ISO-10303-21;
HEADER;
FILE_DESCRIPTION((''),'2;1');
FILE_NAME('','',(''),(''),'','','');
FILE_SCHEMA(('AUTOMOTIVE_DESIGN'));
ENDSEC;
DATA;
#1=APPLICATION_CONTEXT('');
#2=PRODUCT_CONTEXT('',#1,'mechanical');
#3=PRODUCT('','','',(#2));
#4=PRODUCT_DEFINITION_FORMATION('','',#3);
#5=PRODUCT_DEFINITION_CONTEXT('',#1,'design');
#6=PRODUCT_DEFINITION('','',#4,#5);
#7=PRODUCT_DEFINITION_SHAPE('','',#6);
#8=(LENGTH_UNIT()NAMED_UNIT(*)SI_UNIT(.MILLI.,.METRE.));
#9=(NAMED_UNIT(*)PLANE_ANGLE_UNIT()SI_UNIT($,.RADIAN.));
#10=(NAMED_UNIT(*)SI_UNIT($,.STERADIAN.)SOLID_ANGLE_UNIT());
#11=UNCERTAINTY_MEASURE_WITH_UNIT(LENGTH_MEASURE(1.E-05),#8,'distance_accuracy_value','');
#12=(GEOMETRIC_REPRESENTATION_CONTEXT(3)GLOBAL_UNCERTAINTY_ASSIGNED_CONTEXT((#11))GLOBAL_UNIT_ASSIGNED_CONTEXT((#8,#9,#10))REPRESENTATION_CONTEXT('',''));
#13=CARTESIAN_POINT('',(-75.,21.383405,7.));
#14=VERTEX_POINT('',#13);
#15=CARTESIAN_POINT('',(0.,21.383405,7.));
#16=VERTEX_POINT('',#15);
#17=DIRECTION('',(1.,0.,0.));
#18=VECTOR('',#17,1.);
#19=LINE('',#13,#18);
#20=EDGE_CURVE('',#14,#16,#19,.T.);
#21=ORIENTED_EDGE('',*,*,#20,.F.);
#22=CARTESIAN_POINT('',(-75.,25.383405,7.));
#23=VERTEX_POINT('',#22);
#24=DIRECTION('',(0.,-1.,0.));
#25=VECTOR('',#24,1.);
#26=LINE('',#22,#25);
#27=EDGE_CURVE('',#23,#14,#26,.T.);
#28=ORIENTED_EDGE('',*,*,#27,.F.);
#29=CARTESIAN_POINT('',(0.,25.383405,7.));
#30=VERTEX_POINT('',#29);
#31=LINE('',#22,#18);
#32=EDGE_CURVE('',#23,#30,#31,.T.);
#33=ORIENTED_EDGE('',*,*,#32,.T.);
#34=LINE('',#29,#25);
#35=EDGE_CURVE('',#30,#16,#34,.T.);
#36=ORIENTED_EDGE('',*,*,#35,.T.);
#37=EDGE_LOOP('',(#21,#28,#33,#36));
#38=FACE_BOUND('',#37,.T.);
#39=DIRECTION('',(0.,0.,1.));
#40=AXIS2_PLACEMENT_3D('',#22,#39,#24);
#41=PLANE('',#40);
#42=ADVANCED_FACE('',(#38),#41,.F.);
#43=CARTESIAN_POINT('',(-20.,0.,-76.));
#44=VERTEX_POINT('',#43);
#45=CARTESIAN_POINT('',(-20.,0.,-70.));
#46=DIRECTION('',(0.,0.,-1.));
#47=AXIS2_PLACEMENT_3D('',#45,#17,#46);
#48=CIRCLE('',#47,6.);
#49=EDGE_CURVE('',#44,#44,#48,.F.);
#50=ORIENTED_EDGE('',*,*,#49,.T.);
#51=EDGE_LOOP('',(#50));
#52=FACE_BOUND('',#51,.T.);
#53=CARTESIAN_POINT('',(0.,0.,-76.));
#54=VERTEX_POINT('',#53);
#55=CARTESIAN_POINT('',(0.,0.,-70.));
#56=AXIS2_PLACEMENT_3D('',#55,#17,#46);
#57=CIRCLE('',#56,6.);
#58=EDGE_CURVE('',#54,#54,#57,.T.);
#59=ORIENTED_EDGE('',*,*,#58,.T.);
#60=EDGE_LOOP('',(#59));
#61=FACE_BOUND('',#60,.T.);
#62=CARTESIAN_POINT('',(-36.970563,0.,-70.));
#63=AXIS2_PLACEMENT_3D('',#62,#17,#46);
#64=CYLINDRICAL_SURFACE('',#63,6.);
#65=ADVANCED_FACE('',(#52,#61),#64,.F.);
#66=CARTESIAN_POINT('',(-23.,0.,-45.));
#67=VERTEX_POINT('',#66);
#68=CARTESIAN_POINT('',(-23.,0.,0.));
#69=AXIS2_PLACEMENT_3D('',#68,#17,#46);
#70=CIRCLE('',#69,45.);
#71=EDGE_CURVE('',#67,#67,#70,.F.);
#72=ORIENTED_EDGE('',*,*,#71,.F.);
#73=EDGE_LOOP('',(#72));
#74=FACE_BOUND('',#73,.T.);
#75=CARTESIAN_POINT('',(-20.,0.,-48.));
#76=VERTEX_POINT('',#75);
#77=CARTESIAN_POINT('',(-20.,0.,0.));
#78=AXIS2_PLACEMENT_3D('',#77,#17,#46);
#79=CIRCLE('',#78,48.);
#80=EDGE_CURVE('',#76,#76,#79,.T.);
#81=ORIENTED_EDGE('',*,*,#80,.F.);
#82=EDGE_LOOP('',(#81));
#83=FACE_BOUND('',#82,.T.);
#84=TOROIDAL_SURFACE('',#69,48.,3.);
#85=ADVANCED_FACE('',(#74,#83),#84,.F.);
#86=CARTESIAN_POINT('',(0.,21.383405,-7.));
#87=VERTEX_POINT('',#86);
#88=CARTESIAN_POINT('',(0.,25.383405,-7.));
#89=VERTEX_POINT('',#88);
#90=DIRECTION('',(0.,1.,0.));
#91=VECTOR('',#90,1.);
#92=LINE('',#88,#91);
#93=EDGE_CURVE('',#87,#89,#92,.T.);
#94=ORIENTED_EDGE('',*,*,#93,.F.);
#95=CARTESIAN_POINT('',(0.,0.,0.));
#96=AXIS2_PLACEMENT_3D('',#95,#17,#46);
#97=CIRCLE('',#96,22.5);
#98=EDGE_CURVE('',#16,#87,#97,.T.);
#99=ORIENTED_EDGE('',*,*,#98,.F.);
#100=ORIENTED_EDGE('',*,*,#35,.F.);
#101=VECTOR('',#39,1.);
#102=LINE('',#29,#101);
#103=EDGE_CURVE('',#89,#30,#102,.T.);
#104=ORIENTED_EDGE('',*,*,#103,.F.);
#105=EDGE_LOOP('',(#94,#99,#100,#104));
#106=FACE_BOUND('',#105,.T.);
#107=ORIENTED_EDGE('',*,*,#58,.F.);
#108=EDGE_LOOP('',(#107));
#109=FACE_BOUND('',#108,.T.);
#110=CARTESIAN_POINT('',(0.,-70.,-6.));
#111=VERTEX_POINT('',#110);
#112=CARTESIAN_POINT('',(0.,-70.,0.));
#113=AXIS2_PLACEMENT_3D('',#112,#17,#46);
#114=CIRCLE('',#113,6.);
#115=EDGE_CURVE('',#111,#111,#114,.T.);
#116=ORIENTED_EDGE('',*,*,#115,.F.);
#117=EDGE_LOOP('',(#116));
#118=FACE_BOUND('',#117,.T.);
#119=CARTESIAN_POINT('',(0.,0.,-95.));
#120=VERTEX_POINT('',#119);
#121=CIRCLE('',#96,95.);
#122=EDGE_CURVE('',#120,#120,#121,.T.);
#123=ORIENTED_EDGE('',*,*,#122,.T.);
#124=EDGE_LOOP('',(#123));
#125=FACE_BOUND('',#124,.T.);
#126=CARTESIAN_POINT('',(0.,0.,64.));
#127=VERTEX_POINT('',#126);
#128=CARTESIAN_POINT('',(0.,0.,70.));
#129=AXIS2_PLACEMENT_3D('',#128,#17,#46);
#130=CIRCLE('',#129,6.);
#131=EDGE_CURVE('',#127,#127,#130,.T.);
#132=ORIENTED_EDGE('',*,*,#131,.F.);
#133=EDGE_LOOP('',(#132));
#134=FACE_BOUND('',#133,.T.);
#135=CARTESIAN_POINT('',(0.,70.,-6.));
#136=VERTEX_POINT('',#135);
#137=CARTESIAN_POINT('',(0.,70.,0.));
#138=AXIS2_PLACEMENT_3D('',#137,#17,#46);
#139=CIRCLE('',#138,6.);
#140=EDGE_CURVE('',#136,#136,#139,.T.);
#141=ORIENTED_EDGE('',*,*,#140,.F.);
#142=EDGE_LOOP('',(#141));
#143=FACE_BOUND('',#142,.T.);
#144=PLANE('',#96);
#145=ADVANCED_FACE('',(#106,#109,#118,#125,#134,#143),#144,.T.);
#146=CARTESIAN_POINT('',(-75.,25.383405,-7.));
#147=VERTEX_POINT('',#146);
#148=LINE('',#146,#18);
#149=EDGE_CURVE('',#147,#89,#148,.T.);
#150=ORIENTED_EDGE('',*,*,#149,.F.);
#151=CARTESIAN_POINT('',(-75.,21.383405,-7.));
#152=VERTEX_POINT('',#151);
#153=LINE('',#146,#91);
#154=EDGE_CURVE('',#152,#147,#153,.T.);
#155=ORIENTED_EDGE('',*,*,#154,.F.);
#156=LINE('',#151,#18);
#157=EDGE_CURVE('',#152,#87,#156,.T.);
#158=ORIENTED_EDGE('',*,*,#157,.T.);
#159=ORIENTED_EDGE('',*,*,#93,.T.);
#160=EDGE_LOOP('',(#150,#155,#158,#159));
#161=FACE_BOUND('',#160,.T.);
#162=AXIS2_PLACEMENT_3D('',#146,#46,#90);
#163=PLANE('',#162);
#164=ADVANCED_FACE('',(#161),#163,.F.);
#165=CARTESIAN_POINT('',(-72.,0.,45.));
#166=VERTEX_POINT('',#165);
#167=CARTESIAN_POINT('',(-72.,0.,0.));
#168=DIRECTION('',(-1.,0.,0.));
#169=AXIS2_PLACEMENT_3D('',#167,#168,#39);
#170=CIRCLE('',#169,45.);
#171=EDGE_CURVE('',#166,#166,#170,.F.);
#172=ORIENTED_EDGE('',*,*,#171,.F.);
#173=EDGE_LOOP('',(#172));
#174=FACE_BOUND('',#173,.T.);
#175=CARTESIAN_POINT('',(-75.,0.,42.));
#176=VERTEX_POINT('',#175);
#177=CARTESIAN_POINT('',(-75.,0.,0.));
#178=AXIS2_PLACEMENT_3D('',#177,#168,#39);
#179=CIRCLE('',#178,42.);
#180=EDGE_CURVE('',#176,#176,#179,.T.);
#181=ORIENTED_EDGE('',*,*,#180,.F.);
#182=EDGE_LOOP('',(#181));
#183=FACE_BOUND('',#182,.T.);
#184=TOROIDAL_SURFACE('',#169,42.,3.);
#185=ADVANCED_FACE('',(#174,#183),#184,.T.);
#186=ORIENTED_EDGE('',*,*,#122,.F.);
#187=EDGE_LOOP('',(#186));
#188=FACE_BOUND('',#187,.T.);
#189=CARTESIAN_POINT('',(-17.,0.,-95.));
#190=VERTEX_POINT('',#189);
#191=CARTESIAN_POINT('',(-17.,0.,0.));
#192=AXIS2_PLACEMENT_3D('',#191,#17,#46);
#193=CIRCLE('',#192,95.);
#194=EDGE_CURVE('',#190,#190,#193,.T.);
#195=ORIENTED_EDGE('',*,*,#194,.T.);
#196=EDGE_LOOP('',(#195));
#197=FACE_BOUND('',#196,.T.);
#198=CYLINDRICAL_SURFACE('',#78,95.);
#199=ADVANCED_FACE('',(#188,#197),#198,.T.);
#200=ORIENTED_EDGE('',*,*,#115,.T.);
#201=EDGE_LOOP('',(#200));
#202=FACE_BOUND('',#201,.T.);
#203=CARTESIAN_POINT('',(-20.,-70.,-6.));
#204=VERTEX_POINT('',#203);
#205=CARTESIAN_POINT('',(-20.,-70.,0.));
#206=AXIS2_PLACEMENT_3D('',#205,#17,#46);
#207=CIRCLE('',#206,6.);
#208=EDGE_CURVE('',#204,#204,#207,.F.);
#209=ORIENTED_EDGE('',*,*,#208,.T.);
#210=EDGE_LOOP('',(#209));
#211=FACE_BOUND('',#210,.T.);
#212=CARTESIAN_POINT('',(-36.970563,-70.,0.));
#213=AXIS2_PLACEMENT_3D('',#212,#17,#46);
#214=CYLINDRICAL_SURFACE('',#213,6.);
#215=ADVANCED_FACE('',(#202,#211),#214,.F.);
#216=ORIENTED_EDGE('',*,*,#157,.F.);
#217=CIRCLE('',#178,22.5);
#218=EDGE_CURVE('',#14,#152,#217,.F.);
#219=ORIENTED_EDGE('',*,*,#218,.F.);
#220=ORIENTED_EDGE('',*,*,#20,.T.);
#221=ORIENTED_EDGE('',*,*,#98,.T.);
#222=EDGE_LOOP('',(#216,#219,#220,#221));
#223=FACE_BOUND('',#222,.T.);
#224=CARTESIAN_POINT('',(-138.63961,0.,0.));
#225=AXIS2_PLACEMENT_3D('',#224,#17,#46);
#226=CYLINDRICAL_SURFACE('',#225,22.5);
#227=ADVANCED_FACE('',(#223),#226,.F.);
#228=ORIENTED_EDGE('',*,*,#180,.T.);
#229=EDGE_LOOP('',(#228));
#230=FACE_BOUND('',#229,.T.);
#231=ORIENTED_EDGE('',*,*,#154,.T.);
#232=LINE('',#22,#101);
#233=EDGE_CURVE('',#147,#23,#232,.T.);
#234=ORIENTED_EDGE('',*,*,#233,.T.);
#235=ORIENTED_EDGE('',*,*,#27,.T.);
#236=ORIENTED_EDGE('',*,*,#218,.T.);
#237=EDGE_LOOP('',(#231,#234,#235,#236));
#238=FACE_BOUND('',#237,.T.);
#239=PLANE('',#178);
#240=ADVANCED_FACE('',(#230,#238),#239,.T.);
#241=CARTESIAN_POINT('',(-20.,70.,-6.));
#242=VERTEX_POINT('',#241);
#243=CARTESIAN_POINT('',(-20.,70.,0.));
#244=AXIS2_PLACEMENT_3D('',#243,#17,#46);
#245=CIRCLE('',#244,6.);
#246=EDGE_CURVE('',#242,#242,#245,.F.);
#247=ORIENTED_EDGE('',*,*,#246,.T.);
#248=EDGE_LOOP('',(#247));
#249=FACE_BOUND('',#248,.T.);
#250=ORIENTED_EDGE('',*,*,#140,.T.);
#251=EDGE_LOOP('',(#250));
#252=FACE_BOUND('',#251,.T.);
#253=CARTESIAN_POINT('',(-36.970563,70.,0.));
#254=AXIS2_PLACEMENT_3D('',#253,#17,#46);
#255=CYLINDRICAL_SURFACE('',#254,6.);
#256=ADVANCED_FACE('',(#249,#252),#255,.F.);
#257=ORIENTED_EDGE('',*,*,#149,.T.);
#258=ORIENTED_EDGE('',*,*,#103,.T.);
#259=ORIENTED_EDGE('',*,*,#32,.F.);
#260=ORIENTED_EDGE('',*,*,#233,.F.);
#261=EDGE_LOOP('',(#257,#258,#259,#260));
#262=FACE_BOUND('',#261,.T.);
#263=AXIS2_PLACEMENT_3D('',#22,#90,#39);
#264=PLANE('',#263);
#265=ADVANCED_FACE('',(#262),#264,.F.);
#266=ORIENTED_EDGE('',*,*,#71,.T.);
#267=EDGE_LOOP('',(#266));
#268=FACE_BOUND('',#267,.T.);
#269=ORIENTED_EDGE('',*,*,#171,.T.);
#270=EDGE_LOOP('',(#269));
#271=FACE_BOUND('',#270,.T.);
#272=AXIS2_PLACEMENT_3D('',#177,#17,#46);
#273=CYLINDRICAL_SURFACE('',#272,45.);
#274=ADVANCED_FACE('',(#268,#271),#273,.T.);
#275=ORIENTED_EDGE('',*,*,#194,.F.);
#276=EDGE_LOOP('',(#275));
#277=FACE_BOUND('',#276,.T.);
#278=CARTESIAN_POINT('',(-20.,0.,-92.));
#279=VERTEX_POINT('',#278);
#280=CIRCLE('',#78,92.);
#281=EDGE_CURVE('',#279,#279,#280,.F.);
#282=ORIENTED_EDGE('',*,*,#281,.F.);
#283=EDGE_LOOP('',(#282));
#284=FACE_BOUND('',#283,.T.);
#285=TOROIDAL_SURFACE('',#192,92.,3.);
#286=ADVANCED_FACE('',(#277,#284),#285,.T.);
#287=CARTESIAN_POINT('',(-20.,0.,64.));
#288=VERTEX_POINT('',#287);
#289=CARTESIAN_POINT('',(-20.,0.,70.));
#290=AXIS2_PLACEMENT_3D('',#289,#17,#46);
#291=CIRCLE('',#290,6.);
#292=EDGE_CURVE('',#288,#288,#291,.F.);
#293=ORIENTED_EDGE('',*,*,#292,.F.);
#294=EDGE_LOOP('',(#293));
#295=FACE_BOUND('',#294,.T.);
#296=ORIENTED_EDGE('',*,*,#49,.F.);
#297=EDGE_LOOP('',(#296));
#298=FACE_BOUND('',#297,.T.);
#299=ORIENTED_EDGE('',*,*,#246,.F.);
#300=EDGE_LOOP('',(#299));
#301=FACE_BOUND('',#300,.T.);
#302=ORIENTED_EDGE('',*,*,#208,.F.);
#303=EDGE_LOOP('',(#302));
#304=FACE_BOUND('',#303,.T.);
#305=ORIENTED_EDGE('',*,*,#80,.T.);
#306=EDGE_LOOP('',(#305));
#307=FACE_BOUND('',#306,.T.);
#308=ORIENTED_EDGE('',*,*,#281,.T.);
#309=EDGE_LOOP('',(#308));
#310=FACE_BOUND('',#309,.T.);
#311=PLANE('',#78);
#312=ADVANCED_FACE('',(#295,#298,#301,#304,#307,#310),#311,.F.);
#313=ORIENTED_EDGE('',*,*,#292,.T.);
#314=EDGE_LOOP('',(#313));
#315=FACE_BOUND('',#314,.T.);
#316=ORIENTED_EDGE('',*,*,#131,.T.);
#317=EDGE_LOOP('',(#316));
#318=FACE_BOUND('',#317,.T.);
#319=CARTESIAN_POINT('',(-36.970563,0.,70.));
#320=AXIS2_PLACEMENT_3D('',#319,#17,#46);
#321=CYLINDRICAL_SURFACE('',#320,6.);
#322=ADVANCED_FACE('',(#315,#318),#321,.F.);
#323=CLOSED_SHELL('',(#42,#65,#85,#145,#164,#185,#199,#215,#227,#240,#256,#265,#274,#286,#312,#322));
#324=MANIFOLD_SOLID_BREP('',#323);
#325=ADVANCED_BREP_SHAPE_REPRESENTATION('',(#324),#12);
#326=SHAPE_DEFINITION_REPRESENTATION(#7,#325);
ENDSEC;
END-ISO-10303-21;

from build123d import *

# Parameters (mm, degrees)
SKETCH1_R           = 95
BOSS_EXTRUDE1_DEPTH = 20
SKETCH2_R           = 45
BOSS_EXTRUDE2_DEPTH = 55
SKETCH4_R           = 22.5
CUT_EXTRUDE1_DEPTH  = 75
SKETCH5_R           = 6
CUT_EXTRUDE2_DEPTH  = 20
SKETCH6_W           = 14
SKETCH6_H           = 4
CUT_EXTRUDE3_DEPTH  = 154.866825534
FILLET1_R           = 3


with BuildPart() as part:
    # Sketch1 → Boss-Extrude1 (new body)
    with BuildSketch(Plane(origin=(0, 0, 0), x_dir=(0, 0, -1), z_dir=(1, 0, 0))):
        Circle(SKETCH1_R)
    extrude(amount=-BOSS_EXTRUDE1_DEPTH)

    # Sketch2 → Boss-Extrude2 (add)
    with BuildSketch(Plane.ZY.offset(20)):
        Circle(SKETCH2_R)
    extrude(amount=BOSS_EXTRUDE2_DEPTH)

    # Sketch4 → Cut-Extrude1 (cut)
    with BuildSketch(Plane(origin=(0, 0, 0), x_dir=(0, 0, -1), z_dir=(1, 0, 0))):
        Circle(SKETCH4_R)
    extrude(amount=-CUT_EXTRUDE1_DEPTH, mode=Mode.SUBTRACT)

    # Sketch5 → Cut-Extrude2 (cut)
    with BuildSketch(Plane(origin=(0, 0, 0), x_dir=(0, 0, -1), z_dir=(1, 0, 0))):
        with Locations((0, 70)):
            Circle(SKETCH5_R)
        with Locations((70, 0)):
            Circle(SKETCH5_R)
        with Locations((0, -70)):
            Circle(SKETCH5_R)
        with Locations((-70, 0)):
            Circle(SKETCH5_R)
    extrude(amount=-CUT_EXTRUDE2_DEPTH, mode=Mode.SUBTRACT)

    # Sketch6 → Cut-Extrude3 (cut, through all)
    with BuildSketch(Plane(origin=(0, 0, 0), x_dir=(0, 0, -1), z_dir=(1, 0, 0))):
        with Locations((0, 23.38340478)):
            Rectangle(SKETCH6_W, SKETCH6_H)
    extrude(amount=-CUT_EXTRUDE3_DEPTH, mode=Mode.SUBTRACT)

    # Fillet1
    fillet1_edges = [part.edges().sort_by_distance(p)[0] for p in [
        (-20, 0, 95),
        (-20, 0, -45),
        (-75, 0, -45),
    ]]
    fillet(fillet1_edges, radius=FILLET1_R)


solid = part.part
